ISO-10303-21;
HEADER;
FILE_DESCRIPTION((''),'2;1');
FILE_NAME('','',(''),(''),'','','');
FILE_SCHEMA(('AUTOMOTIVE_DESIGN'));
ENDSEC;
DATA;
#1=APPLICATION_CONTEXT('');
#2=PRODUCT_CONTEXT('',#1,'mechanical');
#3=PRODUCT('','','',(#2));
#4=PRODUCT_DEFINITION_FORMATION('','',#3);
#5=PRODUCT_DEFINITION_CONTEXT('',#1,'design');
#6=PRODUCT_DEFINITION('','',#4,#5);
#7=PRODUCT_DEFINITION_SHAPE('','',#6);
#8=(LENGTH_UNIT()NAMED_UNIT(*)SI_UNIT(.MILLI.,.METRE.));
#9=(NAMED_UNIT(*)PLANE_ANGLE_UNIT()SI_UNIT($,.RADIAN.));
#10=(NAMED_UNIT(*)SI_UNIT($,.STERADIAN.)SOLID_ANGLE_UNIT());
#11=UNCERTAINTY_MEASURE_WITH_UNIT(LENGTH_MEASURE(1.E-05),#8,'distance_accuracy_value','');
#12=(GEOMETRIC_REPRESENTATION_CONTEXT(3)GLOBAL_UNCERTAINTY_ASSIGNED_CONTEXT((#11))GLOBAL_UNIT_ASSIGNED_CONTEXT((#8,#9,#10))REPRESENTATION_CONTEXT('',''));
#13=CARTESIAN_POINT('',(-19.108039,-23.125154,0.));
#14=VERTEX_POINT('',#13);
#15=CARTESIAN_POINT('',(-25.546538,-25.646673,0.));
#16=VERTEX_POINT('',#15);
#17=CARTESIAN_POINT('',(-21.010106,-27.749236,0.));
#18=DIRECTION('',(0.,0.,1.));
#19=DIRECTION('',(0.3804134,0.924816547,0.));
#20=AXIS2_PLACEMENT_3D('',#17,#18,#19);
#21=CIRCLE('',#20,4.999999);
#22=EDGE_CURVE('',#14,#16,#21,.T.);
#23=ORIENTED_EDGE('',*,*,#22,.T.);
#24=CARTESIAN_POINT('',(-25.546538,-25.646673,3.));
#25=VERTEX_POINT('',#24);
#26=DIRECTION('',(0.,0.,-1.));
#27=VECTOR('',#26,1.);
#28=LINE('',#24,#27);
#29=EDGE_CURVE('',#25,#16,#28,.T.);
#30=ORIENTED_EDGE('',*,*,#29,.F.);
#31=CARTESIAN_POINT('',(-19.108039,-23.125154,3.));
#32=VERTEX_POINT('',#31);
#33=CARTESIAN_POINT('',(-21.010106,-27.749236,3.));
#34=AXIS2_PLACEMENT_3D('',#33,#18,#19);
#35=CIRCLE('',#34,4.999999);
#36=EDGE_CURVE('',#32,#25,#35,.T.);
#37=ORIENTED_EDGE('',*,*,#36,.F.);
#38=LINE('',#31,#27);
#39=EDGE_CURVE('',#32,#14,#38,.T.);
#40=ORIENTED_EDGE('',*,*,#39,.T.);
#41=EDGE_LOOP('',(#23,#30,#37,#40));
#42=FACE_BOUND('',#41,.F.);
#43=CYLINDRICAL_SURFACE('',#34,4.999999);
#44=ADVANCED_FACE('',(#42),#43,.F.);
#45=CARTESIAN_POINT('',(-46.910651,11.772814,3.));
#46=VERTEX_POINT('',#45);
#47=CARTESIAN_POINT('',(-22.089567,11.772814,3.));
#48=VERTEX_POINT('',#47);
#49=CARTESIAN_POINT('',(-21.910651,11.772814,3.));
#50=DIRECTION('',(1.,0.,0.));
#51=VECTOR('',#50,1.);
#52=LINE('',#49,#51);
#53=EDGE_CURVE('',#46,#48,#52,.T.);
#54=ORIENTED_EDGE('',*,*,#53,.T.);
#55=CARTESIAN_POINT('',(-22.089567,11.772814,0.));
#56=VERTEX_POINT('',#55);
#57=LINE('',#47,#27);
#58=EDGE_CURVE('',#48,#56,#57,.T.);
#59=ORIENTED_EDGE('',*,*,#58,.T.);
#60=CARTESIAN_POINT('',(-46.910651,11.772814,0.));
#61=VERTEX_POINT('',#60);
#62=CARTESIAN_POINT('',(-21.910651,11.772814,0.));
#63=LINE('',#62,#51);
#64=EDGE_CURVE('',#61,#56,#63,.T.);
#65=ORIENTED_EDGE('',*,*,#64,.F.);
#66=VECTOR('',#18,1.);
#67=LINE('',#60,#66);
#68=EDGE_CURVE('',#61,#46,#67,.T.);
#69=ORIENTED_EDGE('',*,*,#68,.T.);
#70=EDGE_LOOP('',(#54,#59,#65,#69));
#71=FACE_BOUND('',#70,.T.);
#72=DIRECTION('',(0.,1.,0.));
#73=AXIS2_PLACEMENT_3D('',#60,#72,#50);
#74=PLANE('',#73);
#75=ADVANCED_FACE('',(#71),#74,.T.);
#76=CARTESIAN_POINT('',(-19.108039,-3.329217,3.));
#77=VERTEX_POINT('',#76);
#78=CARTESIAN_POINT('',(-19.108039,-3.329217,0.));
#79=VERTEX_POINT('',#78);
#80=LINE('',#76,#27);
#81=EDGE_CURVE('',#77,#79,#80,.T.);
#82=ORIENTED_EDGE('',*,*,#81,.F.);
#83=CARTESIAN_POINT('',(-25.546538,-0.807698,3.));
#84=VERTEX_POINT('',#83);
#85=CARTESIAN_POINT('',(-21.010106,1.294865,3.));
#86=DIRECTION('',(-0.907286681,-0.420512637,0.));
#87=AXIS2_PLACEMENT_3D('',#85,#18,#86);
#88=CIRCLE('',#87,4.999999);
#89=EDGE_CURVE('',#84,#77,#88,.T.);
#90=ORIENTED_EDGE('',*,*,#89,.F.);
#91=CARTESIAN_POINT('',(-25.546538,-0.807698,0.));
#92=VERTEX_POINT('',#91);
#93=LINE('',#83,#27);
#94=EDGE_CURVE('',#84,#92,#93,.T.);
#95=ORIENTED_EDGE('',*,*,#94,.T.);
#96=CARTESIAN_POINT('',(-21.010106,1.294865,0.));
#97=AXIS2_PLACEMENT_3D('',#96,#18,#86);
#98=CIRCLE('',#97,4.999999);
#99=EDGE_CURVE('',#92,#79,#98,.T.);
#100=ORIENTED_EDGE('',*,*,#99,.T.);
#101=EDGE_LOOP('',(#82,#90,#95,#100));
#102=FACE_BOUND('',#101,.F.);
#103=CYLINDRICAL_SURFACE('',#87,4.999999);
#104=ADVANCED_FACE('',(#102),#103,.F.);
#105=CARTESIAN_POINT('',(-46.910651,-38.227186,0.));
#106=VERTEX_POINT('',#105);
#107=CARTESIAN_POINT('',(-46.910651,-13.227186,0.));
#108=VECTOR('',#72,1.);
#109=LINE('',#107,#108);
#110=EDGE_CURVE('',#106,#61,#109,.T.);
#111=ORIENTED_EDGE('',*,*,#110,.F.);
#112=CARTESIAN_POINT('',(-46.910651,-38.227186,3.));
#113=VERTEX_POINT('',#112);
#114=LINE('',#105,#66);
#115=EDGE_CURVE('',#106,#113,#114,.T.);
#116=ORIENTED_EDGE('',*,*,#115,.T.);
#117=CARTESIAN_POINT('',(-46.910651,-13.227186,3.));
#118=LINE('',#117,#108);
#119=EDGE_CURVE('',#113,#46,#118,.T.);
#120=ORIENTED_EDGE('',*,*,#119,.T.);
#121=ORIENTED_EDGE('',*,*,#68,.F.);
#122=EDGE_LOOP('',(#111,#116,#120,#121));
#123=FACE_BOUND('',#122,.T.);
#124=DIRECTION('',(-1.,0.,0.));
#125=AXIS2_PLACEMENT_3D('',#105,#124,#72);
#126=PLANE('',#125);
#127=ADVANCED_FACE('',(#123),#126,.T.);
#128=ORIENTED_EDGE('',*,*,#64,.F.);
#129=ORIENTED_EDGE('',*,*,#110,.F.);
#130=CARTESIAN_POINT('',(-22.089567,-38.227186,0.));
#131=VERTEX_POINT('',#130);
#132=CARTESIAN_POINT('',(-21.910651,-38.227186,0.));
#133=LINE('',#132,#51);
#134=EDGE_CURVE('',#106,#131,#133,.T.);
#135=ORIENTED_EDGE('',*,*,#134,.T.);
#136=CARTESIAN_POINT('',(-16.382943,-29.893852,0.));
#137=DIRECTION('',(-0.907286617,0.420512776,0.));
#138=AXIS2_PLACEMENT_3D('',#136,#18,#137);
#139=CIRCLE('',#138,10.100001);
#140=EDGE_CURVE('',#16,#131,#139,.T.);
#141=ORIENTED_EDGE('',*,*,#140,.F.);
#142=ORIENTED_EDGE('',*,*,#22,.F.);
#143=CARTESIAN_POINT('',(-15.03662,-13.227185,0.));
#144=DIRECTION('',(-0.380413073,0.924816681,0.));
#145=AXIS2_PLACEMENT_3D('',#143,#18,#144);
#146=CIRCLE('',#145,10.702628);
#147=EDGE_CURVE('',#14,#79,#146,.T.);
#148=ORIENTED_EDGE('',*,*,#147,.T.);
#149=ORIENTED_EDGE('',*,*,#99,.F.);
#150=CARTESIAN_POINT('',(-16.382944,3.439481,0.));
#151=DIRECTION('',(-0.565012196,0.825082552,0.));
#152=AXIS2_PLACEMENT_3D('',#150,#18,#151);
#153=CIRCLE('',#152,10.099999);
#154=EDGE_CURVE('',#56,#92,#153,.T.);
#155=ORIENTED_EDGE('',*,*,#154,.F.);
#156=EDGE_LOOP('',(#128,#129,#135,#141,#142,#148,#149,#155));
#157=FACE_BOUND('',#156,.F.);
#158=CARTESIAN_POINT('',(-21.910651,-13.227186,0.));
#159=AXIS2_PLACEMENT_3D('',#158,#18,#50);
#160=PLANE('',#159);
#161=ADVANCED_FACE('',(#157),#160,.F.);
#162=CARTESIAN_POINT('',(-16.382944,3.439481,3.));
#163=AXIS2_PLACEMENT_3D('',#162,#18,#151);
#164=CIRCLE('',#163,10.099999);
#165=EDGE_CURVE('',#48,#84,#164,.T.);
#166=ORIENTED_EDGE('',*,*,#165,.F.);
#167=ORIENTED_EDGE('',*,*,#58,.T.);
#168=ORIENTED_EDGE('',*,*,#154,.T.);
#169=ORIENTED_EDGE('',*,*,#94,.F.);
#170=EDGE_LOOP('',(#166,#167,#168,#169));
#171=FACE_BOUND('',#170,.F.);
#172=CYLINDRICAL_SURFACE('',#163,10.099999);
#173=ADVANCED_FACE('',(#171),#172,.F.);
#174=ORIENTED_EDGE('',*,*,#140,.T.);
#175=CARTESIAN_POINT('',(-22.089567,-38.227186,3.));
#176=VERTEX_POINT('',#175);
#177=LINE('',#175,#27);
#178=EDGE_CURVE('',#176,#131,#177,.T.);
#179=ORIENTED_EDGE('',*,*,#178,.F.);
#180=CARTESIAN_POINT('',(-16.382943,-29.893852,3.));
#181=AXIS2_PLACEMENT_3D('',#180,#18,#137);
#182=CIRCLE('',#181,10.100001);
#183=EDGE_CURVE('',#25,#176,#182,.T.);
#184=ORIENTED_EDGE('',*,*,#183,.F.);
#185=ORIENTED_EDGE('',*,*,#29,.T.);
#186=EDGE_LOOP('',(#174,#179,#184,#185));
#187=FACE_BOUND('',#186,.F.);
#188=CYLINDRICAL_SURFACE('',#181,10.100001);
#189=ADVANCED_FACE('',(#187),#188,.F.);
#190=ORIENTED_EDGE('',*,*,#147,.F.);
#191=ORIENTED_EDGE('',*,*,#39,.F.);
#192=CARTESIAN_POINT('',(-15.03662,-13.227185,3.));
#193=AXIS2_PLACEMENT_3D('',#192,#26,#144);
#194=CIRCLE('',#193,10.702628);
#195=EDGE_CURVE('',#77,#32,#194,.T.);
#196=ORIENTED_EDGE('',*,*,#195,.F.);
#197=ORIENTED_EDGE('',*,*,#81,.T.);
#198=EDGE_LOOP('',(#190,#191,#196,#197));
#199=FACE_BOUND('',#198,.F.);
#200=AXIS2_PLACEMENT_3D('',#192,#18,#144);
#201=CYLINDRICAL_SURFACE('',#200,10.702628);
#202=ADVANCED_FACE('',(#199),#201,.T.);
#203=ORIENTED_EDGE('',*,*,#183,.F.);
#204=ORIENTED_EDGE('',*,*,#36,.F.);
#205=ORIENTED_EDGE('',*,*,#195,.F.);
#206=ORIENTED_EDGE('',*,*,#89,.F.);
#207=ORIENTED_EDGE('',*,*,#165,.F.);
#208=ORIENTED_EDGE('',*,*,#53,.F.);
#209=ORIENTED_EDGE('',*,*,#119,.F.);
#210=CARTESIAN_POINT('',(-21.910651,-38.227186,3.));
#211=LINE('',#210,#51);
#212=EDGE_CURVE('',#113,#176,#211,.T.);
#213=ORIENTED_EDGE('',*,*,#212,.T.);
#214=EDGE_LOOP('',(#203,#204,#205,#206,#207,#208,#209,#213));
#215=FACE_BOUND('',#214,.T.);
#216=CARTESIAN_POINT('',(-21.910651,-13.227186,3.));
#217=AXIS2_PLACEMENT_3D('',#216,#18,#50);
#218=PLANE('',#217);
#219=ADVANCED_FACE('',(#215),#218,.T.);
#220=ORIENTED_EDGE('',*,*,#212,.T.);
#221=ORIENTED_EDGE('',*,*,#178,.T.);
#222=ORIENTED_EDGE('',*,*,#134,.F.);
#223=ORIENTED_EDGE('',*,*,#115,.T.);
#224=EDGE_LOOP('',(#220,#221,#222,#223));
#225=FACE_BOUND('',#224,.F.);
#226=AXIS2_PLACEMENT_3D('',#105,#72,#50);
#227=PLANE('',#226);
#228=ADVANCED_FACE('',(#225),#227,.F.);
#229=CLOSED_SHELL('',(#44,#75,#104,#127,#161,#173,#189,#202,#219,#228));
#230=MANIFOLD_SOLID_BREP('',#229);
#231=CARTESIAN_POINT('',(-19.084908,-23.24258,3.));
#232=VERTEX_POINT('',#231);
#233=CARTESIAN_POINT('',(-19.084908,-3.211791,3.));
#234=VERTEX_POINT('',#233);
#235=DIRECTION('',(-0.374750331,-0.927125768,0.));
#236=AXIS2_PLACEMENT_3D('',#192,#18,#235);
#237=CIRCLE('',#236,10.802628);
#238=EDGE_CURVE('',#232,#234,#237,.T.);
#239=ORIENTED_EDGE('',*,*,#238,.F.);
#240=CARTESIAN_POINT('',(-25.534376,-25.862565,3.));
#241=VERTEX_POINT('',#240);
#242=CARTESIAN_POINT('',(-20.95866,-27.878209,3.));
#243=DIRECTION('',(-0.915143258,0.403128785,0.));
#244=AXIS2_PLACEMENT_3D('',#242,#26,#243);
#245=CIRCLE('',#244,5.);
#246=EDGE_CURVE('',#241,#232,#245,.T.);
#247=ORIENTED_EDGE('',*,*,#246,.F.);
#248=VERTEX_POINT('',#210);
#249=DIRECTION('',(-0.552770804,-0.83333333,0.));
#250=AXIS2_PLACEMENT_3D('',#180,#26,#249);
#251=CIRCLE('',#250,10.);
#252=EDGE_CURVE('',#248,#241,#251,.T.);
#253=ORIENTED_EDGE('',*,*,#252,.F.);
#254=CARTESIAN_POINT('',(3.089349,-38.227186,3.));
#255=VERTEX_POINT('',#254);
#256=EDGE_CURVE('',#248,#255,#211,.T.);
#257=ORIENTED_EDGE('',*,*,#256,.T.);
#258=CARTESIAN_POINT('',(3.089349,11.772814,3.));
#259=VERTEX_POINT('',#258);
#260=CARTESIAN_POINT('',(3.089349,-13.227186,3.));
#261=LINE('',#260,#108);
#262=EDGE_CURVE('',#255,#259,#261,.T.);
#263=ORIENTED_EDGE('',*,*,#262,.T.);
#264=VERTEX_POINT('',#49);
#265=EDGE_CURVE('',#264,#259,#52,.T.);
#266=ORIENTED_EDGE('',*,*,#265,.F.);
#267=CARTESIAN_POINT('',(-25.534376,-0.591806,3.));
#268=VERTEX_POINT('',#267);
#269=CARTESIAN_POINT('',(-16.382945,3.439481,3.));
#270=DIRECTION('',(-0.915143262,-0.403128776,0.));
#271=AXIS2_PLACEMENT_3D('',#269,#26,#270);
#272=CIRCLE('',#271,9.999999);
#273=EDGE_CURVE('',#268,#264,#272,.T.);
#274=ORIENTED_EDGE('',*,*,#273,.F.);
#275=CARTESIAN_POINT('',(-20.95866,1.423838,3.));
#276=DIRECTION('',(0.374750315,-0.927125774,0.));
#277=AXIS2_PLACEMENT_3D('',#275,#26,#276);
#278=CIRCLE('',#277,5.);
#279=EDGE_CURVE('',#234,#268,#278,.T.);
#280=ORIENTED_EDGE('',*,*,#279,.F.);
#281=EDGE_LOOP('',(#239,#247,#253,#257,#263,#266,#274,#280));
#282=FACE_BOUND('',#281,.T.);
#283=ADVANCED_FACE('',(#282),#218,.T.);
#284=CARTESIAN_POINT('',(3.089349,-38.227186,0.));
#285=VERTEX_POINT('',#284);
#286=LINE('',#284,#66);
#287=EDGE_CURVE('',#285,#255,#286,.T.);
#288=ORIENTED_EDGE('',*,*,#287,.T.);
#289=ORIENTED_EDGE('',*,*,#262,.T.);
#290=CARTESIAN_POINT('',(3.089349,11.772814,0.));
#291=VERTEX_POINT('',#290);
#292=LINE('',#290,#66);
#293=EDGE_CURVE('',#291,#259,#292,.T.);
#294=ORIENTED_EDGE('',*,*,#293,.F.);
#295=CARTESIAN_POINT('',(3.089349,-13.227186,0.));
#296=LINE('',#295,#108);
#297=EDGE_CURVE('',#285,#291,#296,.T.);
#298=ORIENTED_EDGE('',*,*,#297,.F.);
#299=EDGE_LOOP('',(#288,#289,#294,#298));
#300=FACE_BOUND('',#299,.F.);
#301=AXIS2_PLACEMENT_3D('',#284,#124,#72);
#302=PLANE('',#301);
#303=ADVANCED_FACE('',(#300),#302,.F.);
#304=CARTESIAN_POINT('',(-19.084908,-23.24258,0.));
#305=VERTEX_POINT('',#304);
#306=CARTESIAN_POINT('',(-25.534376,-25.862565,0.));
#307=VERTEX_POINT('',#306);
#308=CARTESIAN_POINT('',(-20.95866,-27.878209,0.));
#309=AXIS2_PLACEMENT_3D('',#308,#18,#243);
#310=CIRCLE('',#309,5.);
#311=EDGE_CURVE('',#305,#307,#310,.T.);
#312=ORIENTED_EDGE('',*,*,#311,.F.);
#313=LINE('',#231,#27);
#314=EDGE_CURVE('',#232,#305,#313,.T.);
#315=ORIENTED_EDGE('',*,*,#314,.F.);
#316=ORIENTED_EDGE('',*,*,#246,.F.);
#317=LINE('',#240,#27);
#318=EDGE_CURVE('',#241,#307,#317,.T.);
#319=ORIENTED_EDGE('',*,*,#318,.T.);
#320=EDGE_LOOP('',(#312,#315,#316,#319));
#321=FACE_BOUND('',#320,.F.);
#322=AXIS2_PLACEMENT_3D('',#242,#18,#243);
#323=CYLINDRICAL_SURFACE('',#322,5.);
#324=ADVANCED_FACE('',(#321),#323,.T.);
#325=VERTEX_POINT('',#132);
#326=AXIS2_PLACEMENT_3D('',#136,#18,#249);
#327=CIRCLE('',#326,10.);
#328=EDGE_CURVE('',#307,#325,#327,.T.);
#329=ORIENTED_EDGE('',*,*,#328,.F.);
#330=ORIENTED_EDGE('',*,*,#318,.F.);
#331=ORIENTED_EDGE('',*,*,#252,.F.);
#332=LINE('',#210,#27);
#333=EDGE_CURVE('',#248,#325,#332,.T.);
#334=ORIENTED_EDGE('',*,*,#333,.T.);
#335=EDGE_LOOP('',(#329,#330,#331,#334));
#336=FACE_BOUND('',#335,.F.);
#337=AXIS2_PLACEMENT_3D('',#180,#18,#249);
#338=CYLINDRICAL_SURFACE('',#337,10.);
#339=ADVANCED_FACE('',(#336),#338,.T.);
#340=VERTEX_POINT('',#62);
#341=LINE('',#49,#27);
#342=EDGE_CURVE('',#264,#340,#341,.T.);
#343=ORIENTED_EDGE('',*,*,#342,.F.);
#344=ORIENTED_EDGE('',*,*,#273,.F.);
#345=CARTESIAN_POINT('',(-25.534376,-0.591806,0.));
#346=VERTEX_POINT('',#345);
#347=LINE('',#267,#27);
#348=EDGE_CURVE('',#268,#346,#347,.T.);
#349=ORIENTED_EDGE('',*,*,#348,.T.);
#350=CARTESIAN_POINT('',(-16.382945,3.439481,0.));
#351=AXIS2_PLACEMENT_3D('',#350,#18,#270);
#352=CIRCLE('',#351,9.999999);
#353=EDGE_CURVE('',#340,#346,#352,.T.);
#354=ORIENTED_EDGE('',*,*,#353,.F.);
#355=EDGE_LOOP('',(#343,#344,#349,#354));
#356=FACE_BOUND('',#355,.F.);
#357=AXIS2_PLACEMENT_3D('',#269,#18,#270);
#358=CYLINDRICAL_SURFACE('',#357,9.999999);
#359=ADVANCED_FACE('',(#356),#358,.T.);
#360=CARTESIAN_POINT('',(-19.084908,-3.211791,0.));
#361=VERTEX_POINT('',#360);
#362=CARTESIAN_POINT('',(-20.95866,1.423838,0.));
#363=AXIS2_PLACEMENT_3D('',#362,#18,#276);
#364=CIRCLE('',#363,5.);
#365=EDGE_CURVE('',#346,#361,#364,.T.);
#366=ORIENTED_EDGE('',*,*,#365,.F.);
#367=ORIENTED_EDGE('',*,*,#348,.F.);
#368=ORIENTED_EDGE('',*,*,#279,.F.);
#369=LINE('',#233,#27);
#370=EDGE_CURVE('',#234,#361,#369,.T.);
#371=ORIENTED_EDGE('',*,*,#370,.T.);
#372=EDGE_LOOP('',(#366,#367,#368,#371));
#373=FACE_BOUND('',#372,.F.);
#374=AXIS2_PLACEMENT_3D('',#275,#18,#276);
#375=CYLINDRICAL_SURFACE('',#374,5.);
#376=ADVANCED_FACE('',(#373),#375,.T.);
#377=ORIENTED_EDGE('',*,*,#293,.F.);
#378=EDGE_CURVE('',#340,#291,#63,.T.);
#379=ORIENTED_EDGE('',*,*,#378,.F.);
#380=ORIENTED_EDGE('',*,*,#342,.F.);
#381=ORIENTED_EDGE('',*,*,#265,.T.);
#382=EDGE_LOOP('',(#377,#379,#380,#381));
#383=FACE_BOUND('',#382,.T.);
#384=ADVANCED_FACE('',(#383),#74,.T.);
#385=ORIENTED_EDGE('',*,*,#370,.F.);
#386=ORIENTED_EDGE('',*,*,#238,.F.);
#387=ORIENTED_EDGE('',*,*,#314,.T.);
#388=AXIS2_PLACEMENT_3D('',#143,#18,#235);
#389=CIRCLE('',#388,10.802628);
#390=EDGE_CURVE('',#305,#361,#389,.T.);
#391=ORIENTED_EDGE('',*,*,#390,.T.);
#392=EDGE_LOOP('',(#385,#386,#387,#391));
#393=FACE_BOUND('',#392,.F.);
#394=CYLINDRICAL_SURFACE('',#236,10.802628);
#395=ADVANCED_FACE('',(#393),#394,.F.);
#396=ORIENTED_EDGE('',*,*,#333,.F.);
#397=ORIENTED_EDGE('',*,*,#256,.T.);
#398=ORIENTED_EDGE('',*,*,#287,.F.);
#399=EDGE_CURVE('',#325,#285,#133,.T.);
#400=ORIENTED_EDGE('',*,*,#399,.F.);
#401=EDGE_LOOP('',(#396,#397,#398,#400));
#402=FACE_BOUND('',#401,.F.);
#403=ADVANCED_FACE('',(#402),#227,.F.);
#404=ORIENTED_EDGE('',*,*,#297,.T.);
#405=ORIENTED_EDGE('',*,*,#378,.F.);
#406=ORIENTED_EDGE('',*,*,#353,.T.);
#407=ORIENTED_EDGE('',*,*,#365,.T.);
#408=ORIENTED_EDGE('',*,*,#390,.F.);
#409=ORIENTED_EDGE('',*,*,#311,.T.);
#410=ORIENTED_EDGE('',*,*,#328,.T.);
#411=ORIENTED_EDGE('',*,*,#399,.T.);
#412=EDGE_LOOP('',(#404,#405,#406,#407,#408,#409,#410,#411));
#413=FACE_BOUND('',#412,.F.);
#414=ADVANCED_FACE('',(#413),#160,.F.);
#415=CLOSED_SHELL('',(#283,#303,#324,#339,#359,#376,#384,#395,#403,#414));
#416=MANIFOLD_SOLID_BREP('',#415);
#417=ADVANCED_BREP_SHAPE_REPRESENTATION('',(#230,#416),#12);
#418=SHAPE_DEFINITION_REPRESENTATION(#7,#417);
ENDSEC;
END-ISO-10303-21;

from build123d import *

# Parameters (mm, degrees)
F0_W     = 50
F0_H     = 50
F1_DEPTH = 3
F3_DEPTH = 25


with BuildPart() as f1:
    # F0 (on Top) → F1 (new body)
    with BuildSketch(Plane.XY):
        with Locations((-21.910651, -13.227186)):
            Rectangle(F0_W, F0_H)
    extrude(amount=F1_DEPTH)

    # F2 (on face) → F3 (cut)
    with BuildSketch(Plane.XY.offset(3)):
        with BuildLine():
            ThreePointArc((-25.534376, -0.591806), (-25.97931, 6.251908), (-21.910651, 11.772814))
            Line((-21.910651, 11.772814), (-22.089567, 11.772814))
            ThreePointArc((-22.089567, 11.772814), (-26.121946, 6.11564), (-25.546538, -0.807698))
            ThreePointArc((-25.546538, -0.807698), (-22.833423, -3.360831), (-19.108039, -3.329217))
            ThreePointArc((-19.108039, -3.329217), (-4.333992, -13.227186), (-19.108039, -23.125154))
            ThreePointArc((-19.108039, -23.125154), (-22.833423, -23.09354), (-25.546538, -25.646673))
            ThreePointArc((-25.546538, -25.646673), (-26.121946, -32.570011), (-22.089567, -38.227186))
            Line((-22.089567, -38.227186), (-21.910651, -38.227186))
            ThreePointArc((-21.910651, -38.227186), (-25.97931, -32.706279), (-25.534376, -25.862565))
            ThreePointArc((-25.534376, -25.862565), (-22.840476, -23.245848), (-19.084908, -23.24258))
            ThreePointArc((-19.084908, -23.24258), (-4.233992, -13.227186), (-19.084908, -3.211791))
            ThreePointArc((-19.084908, -3.211791), (-22.840476, -3.208523), (-25.534376, -0.591806))
        make_face()
    extrude(amount=-F3_DEPTH, mode=Mode.SUBTRACT)


solid = f1.part
